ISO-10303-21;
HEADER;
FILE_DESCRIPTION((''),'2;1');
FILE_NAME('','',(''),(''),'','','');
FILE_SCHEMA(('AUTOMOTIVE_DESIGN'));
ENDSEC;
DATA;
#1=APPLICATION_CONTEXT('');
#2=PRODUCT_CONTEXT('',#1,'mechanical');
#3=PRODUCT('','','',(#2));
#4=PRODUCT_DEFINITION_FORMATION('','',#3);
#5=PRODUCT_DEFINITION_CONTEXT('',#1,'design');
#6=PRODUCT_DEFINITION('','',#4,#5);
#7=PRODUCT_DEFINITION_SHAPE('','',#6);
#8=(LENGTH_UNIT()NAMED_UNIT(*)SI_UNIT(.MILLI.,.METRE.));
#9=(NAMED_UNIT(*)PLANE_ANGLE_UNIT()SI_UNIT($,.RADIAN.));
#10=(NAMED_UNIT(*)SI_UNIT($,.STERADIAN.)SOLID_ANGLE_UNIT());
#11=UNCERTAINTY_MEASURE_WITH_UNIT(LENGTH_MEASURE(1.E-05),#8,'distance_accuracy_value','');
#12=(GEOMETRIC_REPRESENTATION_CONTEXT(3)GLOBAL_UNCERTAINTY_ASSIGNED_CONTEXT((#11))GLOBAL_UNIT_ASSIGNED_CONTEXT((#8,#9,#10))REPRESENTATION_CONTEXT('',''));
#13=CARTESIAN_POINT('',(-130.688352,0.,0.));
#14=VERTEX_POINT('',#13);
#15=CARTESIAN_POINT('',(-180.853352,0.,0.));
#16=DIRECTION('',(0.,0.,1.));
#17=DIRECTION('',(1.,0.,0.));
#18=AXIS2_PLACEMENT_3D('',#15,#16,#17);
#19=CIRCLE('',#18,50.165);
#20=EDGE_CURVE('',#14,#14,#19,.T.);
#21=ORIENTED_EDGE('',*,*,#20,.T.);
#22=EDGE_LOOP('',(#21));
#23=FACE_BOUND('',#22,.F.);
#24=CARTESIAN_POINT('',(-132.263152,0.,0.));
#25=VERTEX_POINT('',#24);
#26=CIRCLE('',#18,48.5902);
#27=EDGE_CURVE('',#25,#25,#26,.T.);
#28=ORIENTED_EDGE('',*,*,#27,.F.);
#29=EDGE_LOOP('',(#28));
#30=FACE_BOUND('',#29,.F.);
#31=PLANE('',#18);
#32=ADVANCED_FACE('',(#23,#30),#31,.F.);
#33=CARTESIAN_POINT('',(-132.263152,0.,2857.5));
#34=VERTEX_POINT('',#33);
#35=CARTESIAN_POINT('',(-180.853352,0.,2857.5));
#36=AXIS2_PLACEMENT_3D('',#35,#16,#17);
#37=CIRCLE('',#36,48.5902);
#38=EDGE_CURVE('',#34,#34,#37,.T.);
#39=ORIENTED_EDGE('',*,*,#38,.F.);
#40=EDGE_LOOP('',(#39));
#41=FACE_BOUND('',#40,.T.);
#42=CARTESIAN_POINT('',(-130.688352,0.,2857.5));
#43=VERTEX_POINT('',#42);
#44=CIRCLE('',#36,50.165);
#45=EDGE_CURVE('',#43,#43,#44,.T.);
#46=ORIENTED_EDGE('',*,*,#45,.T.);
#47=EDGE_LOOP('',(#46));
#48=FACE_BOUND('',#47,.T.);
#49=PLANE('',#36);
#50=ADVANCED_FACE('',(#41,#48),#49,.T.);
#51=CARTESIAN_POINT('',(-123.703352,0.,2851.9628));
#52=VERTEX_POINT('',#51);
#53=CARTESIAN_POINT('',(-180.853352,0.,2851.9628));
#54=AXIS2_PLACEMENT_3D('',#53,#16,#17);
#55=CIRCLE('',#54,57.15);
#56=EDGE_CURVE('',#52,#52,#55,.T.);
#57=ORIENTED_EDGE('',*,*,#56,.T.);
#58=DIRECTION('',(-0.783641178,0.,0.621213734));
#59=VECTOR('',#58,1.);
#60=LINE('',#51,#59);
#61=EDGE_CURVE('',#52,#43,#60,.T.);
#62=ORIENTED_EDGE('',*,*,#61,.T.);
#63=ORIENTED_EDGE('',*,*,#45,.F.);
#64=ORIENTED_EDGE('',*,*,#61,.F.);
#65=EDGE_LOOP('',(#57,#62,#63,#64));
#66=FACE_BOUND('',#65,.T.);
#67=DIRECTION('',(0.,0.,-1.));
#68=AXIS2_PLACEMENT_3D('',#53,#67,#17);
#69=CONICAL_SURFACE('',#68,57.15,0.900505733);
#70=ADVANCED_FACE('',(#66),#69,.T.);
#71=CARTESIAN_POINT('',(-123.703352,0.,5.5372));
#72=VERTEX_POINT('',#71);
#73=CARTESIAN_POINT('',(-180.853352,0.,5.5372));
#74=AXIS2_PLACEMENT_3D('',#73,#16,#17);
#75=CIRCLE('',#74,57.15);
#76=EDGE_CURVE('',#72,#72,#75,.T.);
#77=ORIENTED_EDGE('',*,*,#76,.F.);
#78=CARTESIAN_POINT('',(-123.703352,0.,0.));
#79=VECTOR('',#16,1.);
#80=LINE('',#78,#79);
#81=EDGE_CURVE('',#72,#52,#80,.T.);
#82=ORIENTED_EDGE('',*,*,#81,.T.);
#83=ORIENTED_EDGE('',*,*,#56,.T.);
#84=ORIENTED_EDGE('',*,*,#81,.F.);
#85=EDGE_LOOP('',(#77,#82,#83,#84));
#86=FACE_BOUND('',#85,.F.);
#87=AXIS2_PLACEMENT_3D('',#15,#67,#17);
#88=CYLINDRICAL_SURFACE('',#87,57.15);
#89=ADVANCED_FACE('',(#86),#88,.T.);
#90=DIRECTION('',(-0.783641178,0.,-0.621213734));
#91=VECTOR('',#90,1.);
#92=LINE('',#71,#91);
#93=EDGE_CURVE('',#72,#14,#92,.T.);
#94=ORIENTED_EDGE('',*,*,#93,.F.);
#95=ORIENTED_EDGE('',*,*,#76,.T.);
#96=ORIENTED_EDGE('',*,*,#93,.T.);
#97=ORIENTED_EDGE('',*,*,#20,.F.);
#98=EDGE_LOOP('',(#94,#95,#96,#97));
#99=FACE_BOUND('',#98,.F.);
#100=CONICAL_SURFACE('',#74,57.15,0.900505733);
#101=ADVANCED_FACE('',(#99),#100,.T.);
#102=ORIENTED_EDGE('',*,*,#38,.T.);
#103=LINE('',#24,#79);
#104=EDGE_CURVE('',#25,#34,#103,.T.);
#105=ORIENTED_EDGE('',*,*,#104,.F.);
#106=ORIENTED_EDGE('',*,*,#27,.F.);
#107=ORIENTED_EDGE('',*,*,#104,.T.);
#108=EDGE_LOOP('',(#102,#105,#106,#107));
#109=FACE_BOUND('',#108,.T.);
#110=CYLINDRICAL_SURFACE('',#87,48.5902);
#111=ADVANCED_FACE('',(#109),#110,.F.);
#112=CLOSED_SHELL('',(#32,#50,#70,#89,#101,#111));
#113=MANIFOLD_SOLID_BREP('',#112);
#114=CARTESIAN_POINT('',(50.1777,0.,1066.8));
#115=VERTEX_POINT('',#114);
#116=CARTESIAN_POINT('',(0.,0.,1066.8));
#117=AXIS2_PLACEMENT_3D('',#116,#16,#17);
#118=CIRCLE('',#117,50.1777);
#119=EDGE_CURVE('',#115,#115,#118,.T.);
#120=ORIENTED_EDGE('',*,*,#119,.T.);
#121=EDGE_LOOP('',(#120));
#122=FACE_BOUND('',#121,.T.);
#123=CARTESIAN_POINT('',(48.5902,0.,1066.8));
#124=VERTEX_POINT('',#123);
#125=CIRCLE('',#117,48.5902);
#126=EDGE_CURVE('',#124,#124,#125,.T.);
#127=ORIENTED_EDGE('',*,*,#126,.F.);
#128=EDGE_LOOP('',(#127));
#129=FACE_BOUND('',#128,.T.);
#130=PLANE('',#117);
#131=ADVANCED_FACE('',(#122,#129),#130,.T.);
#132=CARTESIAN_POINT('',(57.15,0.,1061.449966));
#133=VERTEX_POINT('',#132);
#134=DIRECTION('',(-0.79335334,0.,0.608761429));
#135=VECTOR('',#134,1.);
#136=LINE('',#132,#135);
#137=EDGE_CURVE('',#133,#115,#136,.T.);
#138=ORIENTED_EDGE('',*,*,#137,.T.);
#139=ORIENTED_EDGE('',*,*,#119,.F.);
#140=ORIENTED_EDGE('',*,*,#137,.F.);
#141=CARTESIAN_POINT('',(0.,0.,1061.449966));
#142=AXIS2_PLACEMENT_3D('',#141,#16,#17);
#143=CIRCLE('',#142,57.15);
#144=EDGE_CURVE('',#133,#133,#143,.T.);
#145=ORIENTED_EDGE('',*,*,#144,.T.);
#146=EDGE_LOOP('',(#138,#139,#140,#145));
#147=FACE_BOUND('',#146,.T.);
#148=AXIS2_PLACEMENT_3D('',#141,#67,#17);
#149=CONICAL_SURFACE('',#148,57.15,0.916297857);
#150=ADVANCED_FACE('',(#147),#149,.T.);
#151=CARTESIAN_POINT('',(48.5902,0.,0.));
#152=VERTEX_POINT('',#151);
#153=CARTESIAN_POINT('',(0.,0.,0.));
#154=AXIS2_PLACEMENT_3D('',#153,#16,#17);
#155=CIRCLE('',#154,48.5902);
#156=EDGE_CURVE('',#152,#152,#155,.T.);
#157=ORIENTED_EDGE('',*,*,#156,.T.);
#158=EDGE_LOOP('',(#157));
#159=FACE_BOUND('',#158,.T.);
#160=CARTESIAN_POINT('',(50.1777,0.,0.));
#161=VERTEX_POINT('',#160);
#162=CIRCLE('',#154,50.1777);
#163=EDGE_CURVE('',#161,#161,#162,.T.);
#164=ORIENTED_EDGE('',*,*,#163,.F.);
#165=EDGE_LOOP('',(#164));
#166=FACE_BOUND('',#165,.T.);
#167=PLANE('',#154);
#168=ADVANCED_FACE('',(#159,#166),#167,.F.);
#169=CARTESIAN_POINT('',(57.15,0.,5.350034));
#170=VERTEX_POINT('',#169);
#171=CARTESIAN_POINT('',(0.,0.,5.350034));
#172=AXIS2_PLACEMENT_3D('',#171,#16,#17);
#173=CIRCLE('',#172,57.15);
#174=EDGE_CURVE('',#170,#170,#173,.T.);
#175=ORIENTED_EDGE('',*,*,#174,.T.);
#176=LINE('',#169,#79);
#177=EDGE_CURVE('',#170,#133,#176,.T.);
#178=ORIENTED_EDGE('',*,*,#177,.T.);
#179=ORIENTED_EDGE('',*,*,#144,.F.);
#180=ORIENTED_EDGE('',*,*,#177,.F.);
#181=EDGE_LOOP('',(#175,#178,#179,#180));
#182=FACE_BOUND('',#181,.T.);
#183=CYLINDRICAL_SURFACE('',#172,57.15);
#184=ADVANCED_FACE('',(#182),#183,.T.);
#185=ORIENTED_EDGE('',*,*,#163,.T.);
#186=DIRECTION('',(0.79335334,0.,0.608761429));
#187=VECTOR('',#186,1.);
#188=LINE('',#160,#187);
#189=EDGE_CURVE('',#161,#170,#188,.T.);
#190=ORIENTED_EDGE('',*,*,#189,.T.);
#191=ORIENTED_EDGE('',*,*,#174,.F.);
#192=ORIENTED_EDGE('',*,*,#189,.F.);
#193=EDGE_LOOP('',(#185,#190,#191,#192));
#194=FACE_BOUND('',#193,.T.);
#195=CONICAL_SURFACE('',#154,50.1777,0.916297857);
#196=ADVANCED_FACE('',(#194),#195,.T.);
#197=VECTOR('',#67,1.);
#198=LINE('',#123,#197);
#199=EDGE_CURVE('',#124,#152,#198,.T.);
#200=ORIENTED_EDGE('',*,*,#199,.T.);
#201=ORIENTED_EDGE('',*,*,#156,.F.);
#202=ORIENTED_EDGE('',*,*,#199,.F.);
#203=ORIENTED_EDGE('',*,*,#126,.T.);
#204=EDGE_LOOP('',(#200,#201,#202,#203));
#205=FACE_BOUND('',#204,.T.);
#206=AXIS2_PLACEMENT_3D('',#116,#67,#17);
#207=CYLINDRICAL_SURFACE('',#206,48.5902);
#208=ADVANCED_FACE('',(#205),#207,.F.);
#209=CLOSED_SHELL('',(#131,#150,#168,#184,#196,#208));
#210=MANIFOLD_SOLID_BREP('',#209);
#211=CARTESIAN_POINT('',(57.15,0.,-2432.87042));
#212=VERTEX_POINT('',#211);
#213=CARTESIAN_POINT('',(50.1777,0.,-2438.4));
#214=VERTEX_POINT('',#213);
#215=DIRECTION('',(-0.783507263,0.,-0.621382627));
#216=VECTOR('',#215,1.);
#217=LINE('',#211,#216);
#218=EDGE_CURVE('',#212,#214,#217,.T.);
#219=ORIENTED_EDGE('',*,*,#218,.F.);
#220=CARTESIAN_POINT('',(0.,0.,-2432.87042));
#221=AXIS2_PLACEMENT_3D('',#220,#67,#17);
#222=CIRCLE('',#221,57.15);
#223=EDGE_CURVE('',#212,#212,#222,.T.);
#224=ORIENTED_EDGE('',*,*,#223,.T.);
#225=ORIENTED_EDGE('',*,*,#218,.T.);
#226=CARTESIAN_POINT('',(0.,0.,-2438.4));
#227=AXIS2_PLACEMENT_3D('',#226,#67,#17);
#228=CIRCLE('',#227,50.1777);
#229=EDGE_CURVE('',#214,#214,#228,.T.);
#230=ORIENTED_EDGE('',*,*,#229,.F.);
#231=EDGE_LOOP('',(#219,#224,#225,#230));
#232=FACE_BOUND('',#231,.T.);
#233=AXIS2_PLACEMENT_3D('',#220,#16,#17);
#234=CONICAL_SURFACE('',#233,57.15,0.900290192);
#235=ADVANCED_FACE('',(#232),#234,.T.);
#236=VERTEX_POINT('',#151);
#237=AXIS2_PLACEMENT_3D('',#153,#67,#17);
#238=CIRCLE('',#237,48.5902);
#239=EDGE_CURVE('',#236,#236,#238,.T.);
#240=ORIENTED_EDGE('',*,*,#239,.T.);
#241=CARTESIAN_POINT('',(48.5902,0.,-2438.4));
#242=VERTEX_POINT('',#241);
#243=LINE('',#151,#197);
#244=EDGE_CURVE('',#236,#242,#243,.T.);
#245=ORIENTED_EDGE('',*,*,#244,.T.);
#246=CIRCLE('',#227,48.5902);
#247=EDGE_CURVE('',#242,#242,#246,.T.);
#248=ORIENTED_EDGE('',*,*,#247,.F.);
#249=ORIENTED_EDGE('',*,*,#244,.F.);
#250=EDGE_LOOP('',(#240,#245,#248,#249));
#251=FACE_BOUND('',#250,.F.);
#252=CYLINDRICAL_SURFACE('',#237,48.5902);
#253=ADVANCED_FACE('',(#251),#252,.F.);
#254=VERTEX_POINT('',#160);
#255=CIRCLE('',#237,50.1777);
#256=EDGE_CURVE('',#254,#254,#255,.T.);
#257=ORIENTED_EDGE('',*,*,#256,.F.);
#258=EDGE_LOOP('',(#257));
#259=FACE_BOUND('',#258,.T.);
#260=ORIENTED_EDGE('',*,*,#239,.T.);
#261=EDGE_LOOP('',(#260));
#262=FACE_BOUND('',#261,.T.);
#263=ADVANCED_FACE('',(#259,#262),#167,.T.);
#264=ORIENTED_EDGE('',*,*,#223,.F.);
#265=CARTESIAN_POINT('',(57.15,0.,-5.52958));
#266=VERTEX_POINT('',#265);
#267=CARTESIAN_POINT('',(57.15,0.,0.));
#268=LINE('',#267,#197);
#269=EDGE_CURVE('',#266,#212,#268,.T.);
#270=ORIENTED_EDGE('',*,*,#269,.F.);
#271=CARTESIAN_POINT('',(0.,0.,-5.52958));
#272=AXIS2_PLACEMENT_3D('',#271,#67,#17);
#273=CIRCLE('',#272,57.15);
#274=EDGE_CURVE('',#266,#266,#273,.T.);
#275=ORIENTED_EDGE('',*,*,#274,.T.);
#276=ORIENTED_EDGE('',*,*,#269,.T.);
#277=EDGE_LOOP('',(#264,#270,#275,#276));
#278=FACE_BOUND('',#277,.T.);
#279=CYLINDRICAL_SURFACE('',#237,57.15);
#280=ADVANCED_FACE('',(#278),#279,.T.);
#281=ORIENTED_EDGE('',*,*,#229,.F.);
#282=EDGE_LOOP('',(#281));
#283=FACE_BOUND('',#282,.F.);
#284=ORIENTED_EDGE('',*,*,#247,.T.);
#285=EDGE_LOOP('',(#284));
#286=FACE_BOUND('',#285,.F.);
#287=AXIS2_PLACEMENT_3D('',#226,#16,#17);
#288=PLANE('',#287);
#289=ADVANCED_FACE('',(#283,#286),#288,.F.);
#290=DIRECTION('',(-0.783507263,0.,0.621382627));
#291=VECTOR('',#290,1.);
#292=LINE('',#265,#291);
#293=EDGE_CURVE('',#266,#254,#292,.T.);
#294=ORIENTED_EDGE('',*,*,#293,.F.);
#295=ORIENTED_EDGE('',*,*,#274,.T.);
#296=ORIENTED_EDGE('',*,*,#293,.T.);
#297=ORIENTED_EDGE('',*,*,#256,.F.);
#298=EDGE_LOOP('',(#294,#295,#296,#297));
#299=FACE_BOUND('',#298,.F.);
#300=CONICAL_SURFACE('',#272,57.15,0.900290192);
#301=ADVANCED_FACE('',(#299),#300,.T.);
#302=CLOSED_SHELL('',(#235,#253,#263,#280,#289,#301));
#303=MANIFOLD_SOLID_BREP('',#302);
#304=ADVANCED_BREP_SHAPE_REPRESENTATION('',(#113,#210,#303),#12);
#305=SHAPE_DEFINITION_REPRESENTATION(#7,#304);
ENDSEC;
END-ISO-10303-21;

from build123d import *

# Parameters (mm, degrees)
F2_R     = 57.15
F2_R_2   = 50.1777
F2_R_3   = 48.5902
F5_SIZE2 = 6.9723
F5_SIZE  = 5.52958
F6_SIZE2 = 6.9723
F6_SIZE  = 5.52958
F7_R     = 57.15
F7_R_2   = 48.5902
F8_DEPTH = 2857.5
F9_SIZE2 = 6.985
F9_SIZE  = 5.5372


with BuildPart() as f1:
    # F0 (on Front) → F1 (revolve)
    with BuildSketch(Plane.XZ):
        Polygon((50.1777, 0), (57.15, 5.3500339583), (57.15, 1061.4499660417), (50.1777, 1066.8), (48.5902, 1066.8), (48.5902, 0), align=None)
    revolve(axis=Axis((0, 0, 533.4), (0, 0, 1)))


with BuildPart() as f4:
    # F4: sweep along a path in F3
    with BuildLine(Plane.XZ) as f4_path:
        Line((0, 0), (0, -2438.4))
    # F2 (on Top) → F4 (sweep)
    with BuildSketch(Plane.XY):
        Circle(F2_R)
        Circle(F2_R_2, mode=Mode.SUBTRACT)
        Circle(F2_R_2)
        Circle(F2_R_3, mode=Mode.SUBTRACT)
    sweep(path=f4_path.line)

    # F5
    f5_edges = [f4.edges().sort_by_distance(p)[0] for p in [
        (-57.15, 0, -2438.4),
    ]]
    f5_side = f4.faces().sort_by_distance((-57.15, 0, -1219.2))[0]
    chamfer(f5_edges, length=F5_SIZE, length2=F5_SIZE2, reference=f5_side)

    # F6
    f6_edges = [f4.edges().sort_by_distance(p)[0] for p in [
        (-57.15, 0, 0),
    ]]
    f6_side = f4.faces().sort_by_distance((-57.15, 0, -1216.43521))[0]
    chamfer(f6_edges, length=F6_SIZE, length2=F6_SIZE2, reference=f6_side)


with BuildPart() as f8:
    # F7 (on Top) → F8 (new body)
    with BuildSketch(Plane.XY):
        with Locations((-180.8533519506, 0)):
            Circle(F7_R)
        with Locations((-180.8533519506, 0)):
            Circle(F7_R_2, mode=Mode.SUBTRACT)
    extrude(amount=F8_DEPTH)

    # F9
    f9_edges = [f8.edges().sort_by_distance(p)[0] for p in [
        (-238.003352, 0, 0),
        (-238.003352, 0, 2857.5),
    ]]
    f9_side = f8.faces().sort_by_distance((-238.003352, 0, 1428.75))[0]
    chamfer(f9_edges, length=F9_SIZE, length2=F9_SIZE2, reference=f9_side)


solid = Compound([f1.part, f4.part, f8.part])
